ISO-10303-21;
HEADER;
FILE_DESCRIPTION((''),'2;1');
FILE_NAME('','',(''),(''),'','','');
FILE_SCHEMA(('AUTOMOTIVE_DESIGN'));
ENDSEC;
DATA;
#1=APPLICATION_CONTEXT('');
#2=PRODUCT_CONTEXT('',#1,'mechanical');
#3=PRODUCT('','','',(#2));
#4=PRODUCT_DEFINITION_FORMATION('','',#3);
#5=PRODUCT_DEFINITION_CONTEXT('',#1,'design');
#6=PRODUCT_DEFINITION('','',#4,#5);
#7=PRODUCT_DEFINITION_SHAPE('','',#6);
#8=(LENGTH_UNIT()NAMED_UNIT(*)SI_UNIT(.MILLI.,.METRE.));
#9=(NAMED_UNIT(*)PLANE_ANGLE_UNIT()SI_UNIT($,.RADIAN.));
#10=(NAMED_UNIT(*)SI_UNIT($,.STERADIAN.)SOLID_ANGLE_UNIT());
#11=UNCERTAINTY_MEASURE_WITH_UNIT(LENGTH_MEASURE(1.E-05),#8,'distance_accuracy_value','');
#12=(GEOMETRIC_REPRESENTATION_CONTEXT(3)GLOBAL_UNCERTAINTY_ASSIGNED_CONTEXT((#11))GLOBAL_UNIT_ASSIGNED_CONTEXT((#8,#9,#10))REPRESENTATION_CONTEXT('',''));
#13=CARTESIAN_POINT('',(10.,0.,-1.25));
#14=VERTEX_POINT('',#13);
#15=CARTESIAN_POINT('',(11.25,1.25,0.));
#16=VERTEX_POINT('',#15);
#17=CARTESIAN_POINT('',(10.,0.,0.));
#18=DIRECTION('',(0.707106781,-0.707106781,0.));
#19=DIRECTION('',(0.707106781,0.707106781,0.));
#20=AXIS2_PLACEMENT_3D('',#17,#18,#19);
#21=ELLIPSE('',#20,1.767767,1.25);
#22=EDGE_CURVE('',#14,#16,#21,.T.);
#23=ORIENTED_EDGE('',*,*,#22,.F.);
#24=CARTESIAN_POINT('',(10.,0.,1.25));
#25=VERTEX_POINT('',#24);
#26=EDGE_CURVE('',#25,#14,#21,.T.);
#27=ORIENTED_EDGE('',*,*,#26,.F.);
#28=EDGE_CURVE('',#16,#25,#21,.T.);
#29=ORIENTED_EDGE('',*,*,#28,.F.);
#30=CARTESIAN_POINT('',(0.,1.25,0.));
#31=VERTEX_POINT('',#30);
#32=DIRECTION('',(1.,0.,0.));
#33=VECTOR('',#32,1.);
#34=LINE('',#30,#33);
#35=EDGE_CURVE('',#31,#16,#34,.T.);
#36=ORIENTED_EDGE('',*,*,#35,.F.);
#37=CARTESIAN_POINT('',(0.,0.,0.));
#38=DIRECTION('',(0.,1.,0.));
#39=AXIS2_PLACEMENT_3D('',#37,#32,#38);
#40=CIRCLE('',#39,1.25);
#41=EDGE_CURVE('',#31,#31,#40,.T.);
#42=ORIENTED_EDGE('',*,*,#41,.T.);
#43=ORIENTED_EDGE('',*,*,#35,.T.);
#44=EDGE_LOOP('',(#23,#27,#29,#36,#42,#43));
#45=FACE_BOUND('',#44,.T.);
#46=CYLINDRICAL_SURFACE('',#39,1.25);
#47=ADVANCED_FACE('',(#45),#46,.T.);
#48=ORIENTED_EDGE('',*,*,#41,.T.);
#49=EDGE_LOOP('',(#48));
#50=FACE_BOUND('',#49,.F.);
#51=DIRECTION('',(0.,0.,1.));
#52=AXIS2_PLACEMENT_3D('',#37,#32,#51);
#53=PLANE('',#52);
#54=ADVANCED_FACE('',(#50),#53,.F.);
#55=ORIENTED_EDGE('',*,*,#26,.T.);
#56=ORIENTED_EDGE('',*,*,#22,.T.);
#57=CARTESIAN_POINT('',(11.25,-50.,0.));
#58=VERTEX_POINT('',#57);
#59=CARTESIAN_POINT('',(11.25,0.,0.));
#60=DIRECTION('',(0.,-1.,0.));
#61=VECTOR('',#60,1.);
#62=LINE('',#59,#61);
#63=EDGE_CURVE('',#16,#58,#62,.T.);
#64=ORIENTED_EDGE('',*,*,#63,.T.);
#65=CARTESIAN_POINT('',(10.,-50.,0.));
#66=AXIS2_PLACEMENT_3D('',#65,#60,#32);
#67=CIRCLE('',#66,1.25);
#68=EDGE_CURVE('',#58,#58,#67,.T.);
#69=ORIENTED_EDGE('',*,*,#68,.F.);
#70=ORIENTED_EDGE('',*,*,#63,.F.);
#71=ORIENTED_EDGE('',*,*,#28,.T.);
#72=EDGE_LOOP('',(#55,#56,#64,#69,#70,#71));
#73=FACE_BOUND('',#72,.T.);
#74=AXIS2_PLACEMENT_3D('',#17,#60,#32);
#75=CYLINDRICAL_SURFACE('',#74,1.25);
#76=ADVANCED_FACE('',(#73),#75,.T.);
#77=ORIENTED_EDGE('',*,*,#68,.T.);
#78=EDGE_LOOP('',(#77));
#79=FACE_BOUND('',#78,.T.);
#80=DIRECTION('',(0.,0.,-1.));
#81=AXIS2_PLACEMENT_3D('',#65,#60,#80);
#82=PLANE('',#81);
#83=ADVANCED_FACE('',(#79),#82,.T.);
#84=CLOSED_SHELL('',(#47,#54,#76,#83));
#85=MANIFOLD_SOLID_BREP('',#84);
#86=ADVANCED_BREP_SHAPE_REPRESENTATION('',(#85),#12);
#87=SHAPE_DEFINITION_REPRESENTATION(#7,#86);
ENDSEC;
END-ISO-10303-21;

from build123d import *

# Parameters (mm, degrees)
F1_R = 1.25


with BuildPart() as f2:
    # F2: sweep along a path in F0
    with BuildLine(Plane.XY) as f2_path:
        Line((0, 0), (10, 0))
        Line((10, 0), (10, -50))
    # F1 (on Right) → F2 (sweep)
    with BuildSketch(Plane.YZ):
        Circle(F1_R)
    sweep(path=f2_path.line, transition=Transition.RIGHT)


solid = f2.part
